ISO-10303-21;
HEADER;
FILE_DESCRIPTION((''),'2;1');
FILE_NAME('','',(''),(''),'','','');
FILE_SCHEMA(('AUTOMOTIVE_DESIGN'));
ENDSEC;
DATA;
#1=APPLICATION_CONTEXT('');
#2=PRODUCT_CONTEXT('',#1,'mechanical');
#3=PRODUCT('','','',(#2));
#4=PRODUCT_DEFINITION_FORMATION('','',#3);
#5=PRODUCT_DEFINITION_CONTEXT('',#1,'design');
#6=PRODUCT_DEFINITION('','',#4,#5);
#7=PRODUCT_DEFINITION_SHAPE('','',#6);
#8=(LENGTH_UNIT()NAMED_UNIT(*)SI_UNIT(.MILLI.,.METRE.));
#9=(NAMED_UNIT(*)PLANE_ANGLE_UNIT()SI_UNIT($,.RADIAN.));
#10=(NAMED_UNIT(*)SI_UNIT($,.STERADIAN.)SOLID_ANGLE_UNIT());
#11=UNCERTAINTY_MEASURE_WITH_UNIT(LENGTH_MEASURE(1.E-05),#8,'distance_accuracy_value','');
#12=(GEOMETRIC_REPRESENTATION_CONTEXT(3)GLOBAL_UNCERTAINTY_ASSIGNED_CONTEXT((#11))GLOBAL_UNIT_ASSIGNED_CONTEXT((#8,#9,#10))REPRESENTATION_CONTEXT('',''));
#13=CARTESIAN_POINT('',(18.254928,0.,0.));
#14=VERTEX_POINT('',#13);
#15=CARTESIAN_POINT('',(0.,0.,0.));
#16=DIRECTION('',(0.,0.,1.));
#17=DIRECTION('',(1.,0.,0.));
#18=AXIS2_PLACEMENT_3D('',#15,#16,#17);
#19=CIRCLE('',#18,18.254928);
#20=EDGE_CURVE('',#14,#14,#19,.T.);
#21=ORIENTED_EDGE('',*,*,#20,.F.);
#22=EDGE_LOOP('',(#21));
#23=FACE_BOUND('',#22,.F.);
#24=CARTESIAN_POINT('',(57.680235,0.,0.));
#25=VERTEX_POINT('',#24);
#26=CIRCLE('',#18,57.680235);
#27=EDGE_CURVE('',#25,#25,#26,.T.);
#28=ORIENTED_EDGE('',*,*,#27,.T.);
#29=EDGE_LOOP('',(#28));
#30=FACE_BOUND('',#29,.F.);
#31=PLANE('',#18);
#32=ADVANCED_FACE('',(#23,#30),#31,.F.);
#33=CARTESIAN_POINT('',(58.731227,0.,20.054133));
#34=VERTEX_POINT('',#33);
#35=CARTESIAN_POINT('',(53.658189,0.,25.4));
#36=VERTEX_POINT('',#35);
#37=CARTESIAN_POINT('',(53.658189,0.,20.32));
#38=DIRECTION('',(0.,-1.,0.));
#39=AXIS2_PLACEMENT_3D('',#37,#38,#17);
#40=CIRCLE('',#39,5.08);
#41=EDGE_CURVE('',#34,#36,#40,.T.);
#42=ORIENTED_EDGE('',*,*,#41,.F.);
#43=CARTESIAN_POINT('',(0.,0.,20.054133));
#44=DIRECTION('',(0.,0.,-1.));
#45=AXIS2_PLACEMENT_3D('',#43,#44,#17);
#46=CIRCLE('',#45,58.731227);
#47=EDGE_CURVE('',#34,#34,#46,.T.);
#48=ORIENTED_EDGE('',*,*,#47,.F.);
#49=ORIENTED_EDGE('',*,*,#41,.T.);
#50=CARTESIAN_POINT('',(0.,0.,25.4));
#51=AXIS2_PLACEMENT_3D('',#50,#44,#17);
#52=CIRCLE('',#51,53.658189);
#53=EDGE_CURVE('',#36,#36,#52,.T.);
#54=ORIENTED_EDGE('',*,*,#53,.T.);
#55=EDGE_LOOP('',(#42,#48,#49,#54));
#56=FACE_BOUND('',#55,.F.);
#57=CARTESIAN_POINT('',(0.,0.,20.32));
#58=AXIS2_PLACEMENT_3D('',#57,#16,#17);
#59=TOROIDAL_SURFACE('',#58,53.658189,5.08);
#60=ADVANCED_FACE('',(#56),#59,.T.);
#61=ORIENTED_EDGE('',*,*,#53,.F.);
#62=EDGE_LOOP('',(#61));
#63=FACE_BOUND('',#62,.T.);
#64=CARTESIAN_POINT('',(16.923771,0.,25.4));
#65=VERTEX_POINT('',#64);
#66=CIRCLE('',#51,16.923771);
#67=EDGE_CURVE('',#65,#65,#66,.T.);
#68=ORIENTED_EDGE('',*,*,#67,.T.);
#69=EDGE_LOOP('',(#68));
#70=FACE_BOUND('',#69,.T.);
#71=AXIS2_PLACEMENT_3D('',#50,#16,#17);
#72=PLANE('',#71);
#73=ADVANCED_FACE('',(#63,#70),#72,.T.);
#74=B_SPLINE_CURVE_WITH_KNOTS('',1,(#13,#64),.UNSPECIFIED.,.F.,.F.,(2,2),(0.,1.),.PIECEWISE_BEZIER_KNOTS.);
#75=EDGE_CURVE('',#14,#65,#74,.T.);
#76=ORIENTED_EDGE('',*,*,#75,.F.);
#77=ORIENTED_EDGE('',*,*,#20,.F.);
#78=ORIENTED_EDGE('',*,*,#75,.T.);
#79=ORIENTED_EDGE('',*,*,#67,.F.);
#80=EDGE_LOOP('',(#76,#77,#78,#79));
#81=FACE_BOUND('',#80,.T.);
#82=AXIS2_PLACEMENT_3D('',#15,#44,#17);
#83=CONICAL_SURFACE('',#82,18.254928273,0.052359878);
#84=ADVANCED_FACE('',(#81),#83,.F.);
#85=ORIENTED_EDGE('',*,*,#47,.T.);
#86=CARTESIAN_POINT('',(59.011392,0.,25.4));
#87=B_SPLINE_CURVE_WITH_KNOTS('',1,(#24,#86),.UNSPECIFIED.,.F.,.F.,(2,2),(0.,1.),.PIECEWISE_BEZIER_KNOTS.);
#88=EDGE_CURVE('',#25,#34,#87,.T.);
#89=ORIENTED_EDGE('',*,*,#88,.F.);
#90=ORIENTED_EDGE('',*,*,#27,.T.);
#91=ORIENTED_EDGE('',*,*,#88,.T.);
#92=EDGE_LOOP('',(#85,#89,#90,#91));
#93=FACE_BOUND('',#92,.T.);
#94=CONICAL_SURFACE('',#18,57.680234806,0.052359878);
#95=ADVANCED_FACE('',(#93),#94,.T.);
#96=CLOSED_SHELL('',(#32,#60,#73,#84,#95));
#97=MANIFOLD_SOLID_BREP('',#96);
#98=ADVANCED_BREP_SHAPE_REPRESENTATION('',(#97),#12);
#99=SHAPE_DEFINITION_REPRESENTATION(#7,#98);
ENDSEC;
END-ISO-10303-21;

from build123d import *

# Parameters (mm, degrees)
F0_R     = 57.6802348058
F0_R_2   = 18.2549282731
F1_DEPTH = 25.4
F1_TAPER = -3
F2_R     = 5.08


with BuildPart() as f1:
    # F0 (on Top) → F1 (new body)
    with BuildSketch(Plane.XY):
        Circle(F0_R)
        Circle(F0_R_2, mode=Mode.SUBTRACT)
    extrude(amount=F1_DEPTH, taper=F1_TAPER)

    # F2
    f2_edges = [f1.edges().sort_by_distance(p)[0] for p in [
        (-59.011392, 0, 25.4),
    ]]
    fillet(f2_edges, radius=F2_R)


solid = f1.part
